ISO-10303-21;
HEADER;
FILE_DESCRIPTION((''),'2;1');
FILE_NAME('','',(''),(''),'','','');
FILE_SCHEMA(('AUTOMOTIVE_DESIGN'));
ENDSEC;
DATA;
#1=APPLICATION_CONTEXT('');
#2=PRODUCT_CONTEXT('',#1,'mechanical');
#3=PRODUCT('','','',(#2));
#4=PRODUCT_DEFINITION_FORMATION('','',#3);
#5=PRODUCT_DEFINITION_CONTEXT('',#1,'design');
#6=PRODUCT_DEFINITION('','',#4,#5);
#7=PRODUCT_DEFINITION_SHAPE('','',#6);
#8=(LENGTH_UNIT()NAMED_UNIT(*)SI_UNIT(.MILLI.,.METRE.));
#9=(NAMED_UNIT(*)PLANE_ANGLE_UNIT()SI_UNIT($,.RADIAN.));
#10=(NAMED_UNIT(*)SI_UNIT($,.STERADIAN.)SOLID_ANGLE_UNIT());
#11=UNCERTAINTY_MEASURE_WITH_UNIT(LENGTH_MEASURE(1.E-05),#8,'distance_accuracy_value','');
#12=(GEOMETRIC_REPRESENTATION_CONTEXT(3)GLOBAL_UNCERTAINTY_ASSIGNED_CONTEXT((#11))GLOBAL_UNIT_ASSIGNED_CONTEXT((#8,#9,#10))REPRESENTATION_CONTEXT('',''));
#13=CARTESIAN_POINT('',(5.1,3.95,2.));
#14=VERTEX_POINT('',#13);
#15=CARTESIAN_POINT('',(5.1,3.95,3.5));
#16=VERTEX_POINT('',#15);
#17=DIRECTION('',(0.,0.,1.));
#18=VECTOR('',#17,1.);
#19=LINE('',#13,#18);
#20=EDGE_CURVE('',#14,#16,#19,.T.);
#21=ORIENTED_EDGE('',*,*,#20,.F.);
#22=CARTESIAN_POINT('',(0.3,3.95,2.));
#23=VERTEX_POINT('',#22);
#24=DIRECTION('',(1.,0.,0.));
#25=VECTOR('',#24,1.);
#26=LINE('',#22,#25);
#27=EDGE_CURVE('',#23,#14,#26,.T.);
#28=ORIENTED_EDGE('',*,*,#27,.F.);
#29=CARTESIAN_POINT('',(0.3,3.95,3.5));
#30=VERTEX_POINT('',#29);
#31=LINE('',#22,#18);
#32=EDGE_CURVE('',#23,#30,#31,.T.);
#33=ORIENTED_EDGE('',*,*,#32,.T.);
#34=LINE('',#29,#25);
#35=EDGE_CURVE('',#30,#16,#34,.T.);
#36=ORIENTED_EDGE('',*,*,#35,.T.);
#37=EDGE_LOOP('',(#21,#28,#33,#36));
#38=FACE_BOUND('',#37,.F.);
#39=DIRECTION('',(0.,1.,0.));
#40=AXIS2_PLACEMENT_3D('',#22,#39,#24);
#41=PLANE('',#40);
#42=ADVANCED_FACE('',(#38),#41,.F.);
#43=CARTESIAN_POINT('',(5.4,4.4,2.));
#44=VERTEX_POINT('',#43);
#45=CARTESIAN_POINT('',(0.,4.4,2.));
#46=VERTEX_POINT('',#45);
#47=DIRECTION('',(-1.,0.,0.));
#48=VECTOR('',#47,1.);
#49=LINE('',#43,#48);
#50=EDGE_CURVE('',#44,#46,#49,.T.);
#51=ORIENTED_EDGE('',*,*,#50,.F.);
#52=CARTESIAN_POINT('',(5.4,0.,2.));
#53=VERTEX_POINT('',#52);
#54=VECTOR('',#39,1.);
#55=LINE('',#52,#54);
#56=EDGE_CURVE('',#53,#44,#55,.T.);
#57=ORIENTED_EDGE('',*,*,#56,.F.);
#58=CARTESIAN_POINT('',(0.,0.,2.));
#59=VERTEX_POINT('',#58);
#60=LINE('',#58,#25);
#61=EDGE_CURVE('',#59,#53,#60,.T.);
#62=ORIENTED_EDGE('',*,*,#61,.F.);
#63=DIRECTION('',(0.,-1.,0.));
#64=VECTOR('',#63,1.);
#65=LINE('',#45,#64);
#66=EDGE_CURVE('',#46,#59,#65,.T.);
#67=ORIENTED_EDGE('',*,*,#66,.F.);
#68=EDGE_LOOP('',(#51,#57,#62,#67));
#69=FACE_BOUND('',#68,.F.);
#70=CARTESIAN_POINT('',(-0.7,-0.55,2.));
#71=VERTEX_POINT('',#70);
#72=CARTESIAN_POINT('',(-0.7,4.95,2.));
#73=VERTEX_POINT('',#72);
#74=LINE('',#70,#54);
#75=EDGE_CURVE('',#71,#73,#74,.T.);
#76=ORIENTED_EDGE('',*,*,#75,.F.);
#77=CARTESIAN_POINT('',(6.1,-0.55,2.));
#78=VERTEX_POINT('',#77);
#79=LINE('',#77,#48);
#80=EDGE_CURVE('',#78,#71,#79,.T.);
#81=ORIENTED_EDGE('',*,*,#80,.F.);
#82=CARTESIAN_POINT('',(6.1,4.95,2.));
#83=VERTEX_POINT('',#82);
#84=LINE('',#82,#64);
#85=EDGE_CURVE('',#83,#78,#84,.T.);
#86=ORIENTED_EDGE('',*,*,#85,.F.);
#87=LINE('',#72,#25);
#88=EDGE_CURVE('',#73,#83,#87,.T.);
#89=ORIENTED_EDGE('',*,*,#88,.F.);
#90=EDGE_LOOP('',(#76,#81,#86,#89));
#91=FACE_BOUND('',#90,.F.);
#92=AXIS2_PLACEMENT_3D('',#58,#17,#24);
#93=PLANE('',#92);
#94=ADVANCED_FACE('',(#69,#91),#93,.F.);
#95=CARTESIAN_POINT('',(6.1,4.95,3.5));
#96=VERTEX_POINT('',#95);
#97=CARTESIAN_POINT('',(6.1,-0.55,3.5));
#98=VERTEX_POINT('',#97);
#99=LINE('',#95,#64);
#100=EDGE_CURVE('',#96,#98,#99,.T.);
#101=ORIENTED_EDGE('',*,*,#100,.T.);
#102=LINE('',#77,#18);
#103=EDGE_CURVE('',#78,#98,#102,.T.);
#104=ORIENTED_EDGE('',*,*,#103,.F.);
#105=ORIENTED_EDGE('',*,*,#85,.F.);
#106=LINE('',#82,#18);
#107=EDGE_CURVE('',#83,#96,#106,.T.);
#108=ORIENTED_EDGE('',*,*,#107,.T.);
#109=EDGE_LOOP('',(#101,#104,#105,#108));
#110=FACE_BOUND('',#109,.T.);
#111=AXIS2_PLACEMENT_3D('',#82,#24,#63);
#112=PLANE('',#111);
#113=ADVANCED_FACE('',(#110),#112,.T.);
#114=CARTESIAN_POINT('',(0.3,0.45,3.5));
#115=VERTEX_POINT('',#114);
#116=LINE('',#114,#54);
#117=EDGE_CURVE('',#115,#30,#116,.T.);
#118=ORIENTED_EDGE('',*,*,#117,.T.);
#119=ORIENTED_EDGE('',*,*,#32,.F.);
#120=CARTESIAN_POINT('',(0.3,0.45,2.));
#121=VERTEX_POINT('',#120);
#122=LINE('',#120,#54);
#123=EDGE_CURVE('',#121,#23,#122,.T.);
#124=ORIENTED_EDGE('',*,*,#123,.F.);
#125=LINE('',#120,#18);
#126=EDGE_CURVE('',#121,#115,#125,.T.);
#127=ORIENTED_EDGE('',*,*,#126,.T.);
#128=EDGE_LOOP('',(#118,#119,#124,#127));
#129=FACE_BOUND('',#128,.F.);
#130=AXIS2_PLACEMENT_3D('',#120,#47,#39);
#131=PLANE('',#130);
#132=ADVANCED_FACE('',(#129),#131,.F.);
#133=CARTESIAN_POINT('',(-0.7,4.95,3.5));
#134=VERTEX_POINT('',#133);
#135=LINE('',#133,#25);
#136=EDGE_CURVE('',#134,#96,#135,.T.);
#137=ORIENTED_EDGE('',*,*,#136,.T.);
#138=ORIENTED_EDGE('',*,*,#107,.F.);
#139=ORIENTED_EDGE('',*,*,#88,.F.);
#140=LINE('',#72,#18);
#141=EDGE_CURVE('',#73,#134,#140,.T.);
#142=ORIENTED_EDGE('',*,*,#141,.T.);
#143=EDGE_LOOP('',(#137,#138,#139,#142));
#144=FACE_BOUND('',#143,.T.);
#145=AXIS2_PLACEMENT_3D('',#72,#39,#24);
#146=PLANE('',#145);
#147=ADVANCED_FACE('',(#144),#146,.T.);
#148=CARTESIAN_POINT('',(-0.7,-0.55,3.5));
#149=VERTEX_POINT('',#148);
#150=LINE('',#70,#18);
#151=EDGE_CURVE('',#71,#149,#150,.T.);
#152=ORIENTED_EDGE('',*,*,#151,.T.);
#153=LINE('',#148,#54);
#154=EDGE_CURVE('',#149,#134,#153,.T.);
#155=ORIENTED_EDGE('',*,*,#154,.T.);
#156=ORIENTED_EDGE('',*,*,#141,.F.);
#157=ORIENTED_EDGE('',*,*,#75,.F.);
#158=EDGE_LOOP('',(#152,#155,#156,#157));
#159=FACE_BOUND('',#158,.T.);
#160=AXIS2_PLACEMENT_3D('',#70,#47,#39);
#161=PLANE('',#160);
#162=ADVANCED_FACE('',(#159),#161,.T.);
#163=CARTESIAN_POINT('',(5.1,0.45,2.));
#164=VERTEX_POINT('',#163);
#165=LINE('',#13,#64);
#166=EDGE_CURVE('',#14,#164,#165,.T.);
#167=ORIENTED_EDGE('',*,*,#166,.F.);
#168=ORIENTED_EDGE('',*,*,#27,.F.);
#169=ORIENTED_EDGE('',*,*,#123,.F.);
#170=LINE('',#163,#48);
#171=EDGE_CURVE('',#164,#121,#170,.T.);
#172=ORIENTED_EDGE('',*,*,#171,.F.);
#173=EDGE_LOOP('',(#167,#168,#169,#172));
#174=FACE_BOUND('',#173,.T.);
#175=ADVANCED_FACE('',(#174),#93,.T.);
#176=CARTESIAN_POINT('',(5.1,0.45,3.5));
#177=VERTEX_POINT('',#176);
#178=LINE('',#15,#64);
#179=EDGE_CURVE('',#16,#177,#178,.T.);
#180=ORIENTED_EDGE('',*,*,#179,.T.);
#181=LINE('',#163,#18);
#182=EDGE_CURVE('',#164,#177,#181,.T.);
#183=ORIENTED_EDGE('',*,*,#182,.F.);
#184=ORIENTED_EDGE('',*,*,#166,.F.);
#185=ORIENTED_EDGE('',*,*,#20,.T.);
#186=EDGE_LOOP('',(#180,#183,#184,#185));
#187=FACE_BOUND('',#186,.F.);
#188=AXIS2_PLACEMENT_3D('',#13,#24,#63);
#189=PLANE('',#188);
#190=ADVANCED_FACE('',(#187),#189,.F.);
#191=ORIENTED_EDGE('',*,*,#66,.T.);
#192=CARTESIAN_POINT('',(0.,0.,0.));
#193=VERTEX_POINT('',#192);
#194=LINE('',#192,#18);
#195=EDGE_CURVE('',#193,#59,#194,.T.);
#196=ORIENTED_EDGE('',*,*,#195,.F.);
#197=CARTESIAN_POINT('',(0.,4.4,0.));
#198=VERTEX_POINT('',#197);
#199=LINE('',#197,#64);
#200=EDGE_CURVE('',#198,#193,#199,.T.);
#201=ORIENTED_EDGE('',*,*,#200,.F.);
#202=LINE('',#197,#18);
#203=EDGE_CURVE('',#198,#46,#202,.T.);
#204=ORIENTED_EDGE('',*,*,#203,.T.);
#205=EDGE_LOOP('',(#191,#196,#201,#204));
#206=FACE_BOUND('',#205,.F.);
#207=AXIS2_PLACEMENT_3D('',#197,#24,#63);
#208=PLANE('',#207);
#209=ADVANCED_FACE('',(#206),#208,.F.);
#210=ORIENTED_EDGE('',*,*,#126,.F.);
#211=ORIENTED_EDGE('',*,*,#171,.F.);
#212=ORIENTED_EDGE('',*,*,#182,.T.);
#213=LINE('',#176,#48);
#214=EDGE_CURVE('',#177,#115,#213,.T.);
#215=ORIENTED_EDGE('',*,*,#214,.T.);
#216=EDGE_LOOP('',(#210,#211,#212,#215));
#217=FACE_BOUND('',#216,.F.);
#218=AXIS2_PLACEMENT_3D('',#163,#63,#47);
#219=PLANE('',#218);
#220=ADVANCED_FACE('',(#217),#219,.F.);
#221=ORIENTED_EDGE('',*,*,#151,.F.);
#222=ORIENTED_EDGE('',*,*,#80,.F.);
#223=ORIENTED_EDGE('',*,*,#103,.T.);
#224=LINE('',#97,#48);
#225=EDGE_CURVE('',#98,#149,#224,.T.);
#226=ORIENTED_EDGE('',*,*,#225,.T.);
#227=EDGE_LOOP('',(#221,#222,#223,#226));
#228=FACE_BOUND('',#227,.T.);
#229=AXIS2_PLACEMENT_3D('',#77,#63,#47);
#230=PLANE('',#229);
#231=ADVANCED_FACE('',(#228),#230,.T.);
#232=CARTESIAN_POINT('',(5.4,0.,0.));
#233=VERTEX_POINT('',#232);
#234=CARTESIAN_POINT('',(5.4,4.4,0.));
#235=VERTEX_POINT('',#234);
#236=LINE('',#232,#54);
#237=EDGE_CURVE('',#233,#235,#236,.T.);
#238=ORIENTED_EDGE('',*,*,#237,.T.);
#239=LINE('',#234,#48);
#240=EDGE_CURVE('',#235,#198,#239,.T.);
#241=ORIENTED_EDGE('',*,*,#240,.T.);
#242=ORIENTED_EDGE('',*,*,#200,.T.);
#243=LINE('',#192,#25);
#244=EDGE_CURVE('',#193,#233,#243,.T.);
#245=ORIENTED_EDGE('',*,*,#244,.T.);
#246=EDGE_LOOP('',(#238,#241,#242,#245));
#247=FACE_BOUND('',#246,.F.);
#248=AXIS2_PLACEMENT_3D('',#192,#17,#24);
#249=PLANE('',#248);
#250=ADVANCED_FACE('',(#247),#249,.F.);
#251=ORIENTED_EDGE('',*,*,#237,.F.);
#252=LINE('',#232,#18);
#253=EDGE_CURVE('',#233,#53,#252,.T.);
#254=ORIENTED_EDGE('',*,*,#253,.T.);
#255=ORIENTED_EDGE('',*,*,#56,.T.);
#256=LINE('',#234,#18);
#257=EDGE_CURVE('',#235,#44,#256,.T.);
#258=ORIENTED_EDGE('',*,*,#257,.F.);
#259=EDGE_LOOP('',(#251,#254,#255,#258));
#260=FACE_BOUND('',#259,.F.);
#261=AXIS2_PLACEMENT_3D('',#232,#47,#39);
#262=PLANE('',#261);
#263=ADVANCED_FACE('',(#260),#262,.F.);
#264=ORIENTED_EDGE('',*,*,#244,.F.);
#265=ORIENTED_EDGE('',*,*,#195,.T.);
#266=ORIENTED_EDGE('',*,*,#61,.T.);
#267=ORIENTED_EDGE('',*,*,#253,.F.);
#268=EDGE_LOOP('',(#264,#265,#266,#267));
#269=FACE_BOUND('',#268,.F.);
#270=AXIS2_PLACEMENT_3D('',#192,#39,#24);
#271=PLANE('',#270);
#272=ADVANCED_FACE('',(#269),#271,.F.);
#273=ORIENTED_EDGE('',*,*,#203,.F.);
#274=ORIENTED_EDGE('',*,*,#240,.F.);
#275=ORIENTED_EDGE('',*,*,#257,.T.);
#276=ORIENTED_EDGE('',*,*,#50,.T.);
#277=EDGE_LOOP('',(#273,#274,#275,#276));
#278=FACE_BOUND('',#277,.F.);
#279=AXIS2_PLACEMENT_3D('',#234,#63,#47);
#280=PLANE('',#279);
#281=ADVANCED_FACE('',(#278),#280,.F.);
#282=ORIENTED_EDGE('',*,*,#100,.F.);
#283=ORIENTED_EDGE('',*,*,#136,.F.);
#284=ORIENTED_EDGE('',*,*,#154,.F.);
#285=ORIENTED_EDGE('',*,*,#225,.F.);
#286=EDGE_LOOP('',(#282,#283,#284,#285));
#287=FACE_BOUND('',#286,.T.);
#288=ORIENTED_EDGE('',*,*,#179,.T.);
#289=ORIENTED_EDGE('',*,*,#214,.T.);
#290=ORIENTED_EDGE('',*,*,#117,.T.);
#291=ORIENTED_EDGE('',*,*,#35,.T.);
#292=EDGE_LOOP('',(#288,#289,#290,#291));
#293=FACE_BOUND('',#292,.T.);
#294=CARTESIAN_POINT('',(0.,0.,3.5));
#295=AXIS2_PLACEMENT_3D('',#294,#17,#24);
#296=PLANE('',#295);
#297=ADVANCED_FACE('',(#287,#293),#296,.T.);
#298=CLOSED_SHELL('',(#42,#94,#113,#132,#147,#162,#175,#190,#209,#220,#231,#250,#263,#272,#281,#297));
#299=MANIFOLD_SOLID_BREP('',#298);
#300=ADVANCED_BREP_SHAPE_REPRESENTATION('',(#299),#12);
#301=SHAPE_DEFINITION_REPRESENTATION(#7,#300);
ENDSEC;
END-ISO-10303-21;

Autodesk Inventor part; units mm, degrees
ref_plane "YZ Plane" through (0, 0, 0) normal (1, 0, 0) x (0, 1, 0)
ref_plane "XZ Plane" through (0, 0, 0) normal (0, 1, 0) x (-1, 0, 0)
ref_plane "XY Plane" through (0, 0, 0) normal (0, 0, 1) x (1, 0, 0)
sketch "Эскиз1" plane through (0, 0, 0) normal (0, 0, 1) x (1, 0, 0)
  line L0 (0, 0) -> (5.4, 0)
  line L1 (5.4, 0) -> (5.4, 4.4)
  line L2 (5.4, 4.4) -> (0, 4.4)
  line L3 (0, 4.4) -> (0, 0)
  dimension "d0" = 5.4
  dimension "d1" = 4.4
extrude "Выдавливание1" add sketch "Эскиз1" along normal blind 2
sketch "Эскиз2" plane through (0, 0, 2) normal (0, 0, 1) x (1, 0, 0)
  line L0 (0, 0) -> (5.4, 0) projected
  line L1 (5.4, 0) -> (5.4, 4.4) projected
  line L2 (5.4, 4.4) -> (0, 4.4) projected
  line L3 (0, 4.4) -> (0, 0) projected
  line L4 (0.3, 3.95) -> (5.1, 3.95)
  line L5 (5.1, 3.95) -> (5.1, 0.45)
  line L6 (5.1, 0.45) -> (0.3, 0.45)
  line L7 (0.3, 0.45) -> (0.3, 3.95)
  line L8 (-0.7, 4.95) -> (6.1, 4.95)
  line L9 (6.1, 4.95) -> (6.1, -0.55)
  line L10 (6.1, -0.55) -> (-0.7, -0.55)
  line L11 (-0.7, -0.55) -> (-0.7, 4.95)
  dimension "d4" = 4.8
  dimension "d5" = 3.5
  dimension "d6" = 5.4
  dimension "d7" = 4.4
  dimension "d8" = 0.3
  dimension "d9" = 0.45
  dimension "d12" = 1
  dimension "d13" = 1
  dimension "d14" = 1
  dimension "d15" = 1
extrude "Выдавливание3" add sketch "Эскиз2" along normal blind 1.5 contours L3 L2 L1 L0 | L8 L9 L10 L11
equation "\"d8\" = -0.5 * d4 + 0.5 * d6"
equation "\"d9\" = -0.5 * d5 + 0.5 * d7"
equation "\"d13\" = d12"
equation "\"d14\" = d12"
equation "\"d15\" = d12"
properties part number "button"
